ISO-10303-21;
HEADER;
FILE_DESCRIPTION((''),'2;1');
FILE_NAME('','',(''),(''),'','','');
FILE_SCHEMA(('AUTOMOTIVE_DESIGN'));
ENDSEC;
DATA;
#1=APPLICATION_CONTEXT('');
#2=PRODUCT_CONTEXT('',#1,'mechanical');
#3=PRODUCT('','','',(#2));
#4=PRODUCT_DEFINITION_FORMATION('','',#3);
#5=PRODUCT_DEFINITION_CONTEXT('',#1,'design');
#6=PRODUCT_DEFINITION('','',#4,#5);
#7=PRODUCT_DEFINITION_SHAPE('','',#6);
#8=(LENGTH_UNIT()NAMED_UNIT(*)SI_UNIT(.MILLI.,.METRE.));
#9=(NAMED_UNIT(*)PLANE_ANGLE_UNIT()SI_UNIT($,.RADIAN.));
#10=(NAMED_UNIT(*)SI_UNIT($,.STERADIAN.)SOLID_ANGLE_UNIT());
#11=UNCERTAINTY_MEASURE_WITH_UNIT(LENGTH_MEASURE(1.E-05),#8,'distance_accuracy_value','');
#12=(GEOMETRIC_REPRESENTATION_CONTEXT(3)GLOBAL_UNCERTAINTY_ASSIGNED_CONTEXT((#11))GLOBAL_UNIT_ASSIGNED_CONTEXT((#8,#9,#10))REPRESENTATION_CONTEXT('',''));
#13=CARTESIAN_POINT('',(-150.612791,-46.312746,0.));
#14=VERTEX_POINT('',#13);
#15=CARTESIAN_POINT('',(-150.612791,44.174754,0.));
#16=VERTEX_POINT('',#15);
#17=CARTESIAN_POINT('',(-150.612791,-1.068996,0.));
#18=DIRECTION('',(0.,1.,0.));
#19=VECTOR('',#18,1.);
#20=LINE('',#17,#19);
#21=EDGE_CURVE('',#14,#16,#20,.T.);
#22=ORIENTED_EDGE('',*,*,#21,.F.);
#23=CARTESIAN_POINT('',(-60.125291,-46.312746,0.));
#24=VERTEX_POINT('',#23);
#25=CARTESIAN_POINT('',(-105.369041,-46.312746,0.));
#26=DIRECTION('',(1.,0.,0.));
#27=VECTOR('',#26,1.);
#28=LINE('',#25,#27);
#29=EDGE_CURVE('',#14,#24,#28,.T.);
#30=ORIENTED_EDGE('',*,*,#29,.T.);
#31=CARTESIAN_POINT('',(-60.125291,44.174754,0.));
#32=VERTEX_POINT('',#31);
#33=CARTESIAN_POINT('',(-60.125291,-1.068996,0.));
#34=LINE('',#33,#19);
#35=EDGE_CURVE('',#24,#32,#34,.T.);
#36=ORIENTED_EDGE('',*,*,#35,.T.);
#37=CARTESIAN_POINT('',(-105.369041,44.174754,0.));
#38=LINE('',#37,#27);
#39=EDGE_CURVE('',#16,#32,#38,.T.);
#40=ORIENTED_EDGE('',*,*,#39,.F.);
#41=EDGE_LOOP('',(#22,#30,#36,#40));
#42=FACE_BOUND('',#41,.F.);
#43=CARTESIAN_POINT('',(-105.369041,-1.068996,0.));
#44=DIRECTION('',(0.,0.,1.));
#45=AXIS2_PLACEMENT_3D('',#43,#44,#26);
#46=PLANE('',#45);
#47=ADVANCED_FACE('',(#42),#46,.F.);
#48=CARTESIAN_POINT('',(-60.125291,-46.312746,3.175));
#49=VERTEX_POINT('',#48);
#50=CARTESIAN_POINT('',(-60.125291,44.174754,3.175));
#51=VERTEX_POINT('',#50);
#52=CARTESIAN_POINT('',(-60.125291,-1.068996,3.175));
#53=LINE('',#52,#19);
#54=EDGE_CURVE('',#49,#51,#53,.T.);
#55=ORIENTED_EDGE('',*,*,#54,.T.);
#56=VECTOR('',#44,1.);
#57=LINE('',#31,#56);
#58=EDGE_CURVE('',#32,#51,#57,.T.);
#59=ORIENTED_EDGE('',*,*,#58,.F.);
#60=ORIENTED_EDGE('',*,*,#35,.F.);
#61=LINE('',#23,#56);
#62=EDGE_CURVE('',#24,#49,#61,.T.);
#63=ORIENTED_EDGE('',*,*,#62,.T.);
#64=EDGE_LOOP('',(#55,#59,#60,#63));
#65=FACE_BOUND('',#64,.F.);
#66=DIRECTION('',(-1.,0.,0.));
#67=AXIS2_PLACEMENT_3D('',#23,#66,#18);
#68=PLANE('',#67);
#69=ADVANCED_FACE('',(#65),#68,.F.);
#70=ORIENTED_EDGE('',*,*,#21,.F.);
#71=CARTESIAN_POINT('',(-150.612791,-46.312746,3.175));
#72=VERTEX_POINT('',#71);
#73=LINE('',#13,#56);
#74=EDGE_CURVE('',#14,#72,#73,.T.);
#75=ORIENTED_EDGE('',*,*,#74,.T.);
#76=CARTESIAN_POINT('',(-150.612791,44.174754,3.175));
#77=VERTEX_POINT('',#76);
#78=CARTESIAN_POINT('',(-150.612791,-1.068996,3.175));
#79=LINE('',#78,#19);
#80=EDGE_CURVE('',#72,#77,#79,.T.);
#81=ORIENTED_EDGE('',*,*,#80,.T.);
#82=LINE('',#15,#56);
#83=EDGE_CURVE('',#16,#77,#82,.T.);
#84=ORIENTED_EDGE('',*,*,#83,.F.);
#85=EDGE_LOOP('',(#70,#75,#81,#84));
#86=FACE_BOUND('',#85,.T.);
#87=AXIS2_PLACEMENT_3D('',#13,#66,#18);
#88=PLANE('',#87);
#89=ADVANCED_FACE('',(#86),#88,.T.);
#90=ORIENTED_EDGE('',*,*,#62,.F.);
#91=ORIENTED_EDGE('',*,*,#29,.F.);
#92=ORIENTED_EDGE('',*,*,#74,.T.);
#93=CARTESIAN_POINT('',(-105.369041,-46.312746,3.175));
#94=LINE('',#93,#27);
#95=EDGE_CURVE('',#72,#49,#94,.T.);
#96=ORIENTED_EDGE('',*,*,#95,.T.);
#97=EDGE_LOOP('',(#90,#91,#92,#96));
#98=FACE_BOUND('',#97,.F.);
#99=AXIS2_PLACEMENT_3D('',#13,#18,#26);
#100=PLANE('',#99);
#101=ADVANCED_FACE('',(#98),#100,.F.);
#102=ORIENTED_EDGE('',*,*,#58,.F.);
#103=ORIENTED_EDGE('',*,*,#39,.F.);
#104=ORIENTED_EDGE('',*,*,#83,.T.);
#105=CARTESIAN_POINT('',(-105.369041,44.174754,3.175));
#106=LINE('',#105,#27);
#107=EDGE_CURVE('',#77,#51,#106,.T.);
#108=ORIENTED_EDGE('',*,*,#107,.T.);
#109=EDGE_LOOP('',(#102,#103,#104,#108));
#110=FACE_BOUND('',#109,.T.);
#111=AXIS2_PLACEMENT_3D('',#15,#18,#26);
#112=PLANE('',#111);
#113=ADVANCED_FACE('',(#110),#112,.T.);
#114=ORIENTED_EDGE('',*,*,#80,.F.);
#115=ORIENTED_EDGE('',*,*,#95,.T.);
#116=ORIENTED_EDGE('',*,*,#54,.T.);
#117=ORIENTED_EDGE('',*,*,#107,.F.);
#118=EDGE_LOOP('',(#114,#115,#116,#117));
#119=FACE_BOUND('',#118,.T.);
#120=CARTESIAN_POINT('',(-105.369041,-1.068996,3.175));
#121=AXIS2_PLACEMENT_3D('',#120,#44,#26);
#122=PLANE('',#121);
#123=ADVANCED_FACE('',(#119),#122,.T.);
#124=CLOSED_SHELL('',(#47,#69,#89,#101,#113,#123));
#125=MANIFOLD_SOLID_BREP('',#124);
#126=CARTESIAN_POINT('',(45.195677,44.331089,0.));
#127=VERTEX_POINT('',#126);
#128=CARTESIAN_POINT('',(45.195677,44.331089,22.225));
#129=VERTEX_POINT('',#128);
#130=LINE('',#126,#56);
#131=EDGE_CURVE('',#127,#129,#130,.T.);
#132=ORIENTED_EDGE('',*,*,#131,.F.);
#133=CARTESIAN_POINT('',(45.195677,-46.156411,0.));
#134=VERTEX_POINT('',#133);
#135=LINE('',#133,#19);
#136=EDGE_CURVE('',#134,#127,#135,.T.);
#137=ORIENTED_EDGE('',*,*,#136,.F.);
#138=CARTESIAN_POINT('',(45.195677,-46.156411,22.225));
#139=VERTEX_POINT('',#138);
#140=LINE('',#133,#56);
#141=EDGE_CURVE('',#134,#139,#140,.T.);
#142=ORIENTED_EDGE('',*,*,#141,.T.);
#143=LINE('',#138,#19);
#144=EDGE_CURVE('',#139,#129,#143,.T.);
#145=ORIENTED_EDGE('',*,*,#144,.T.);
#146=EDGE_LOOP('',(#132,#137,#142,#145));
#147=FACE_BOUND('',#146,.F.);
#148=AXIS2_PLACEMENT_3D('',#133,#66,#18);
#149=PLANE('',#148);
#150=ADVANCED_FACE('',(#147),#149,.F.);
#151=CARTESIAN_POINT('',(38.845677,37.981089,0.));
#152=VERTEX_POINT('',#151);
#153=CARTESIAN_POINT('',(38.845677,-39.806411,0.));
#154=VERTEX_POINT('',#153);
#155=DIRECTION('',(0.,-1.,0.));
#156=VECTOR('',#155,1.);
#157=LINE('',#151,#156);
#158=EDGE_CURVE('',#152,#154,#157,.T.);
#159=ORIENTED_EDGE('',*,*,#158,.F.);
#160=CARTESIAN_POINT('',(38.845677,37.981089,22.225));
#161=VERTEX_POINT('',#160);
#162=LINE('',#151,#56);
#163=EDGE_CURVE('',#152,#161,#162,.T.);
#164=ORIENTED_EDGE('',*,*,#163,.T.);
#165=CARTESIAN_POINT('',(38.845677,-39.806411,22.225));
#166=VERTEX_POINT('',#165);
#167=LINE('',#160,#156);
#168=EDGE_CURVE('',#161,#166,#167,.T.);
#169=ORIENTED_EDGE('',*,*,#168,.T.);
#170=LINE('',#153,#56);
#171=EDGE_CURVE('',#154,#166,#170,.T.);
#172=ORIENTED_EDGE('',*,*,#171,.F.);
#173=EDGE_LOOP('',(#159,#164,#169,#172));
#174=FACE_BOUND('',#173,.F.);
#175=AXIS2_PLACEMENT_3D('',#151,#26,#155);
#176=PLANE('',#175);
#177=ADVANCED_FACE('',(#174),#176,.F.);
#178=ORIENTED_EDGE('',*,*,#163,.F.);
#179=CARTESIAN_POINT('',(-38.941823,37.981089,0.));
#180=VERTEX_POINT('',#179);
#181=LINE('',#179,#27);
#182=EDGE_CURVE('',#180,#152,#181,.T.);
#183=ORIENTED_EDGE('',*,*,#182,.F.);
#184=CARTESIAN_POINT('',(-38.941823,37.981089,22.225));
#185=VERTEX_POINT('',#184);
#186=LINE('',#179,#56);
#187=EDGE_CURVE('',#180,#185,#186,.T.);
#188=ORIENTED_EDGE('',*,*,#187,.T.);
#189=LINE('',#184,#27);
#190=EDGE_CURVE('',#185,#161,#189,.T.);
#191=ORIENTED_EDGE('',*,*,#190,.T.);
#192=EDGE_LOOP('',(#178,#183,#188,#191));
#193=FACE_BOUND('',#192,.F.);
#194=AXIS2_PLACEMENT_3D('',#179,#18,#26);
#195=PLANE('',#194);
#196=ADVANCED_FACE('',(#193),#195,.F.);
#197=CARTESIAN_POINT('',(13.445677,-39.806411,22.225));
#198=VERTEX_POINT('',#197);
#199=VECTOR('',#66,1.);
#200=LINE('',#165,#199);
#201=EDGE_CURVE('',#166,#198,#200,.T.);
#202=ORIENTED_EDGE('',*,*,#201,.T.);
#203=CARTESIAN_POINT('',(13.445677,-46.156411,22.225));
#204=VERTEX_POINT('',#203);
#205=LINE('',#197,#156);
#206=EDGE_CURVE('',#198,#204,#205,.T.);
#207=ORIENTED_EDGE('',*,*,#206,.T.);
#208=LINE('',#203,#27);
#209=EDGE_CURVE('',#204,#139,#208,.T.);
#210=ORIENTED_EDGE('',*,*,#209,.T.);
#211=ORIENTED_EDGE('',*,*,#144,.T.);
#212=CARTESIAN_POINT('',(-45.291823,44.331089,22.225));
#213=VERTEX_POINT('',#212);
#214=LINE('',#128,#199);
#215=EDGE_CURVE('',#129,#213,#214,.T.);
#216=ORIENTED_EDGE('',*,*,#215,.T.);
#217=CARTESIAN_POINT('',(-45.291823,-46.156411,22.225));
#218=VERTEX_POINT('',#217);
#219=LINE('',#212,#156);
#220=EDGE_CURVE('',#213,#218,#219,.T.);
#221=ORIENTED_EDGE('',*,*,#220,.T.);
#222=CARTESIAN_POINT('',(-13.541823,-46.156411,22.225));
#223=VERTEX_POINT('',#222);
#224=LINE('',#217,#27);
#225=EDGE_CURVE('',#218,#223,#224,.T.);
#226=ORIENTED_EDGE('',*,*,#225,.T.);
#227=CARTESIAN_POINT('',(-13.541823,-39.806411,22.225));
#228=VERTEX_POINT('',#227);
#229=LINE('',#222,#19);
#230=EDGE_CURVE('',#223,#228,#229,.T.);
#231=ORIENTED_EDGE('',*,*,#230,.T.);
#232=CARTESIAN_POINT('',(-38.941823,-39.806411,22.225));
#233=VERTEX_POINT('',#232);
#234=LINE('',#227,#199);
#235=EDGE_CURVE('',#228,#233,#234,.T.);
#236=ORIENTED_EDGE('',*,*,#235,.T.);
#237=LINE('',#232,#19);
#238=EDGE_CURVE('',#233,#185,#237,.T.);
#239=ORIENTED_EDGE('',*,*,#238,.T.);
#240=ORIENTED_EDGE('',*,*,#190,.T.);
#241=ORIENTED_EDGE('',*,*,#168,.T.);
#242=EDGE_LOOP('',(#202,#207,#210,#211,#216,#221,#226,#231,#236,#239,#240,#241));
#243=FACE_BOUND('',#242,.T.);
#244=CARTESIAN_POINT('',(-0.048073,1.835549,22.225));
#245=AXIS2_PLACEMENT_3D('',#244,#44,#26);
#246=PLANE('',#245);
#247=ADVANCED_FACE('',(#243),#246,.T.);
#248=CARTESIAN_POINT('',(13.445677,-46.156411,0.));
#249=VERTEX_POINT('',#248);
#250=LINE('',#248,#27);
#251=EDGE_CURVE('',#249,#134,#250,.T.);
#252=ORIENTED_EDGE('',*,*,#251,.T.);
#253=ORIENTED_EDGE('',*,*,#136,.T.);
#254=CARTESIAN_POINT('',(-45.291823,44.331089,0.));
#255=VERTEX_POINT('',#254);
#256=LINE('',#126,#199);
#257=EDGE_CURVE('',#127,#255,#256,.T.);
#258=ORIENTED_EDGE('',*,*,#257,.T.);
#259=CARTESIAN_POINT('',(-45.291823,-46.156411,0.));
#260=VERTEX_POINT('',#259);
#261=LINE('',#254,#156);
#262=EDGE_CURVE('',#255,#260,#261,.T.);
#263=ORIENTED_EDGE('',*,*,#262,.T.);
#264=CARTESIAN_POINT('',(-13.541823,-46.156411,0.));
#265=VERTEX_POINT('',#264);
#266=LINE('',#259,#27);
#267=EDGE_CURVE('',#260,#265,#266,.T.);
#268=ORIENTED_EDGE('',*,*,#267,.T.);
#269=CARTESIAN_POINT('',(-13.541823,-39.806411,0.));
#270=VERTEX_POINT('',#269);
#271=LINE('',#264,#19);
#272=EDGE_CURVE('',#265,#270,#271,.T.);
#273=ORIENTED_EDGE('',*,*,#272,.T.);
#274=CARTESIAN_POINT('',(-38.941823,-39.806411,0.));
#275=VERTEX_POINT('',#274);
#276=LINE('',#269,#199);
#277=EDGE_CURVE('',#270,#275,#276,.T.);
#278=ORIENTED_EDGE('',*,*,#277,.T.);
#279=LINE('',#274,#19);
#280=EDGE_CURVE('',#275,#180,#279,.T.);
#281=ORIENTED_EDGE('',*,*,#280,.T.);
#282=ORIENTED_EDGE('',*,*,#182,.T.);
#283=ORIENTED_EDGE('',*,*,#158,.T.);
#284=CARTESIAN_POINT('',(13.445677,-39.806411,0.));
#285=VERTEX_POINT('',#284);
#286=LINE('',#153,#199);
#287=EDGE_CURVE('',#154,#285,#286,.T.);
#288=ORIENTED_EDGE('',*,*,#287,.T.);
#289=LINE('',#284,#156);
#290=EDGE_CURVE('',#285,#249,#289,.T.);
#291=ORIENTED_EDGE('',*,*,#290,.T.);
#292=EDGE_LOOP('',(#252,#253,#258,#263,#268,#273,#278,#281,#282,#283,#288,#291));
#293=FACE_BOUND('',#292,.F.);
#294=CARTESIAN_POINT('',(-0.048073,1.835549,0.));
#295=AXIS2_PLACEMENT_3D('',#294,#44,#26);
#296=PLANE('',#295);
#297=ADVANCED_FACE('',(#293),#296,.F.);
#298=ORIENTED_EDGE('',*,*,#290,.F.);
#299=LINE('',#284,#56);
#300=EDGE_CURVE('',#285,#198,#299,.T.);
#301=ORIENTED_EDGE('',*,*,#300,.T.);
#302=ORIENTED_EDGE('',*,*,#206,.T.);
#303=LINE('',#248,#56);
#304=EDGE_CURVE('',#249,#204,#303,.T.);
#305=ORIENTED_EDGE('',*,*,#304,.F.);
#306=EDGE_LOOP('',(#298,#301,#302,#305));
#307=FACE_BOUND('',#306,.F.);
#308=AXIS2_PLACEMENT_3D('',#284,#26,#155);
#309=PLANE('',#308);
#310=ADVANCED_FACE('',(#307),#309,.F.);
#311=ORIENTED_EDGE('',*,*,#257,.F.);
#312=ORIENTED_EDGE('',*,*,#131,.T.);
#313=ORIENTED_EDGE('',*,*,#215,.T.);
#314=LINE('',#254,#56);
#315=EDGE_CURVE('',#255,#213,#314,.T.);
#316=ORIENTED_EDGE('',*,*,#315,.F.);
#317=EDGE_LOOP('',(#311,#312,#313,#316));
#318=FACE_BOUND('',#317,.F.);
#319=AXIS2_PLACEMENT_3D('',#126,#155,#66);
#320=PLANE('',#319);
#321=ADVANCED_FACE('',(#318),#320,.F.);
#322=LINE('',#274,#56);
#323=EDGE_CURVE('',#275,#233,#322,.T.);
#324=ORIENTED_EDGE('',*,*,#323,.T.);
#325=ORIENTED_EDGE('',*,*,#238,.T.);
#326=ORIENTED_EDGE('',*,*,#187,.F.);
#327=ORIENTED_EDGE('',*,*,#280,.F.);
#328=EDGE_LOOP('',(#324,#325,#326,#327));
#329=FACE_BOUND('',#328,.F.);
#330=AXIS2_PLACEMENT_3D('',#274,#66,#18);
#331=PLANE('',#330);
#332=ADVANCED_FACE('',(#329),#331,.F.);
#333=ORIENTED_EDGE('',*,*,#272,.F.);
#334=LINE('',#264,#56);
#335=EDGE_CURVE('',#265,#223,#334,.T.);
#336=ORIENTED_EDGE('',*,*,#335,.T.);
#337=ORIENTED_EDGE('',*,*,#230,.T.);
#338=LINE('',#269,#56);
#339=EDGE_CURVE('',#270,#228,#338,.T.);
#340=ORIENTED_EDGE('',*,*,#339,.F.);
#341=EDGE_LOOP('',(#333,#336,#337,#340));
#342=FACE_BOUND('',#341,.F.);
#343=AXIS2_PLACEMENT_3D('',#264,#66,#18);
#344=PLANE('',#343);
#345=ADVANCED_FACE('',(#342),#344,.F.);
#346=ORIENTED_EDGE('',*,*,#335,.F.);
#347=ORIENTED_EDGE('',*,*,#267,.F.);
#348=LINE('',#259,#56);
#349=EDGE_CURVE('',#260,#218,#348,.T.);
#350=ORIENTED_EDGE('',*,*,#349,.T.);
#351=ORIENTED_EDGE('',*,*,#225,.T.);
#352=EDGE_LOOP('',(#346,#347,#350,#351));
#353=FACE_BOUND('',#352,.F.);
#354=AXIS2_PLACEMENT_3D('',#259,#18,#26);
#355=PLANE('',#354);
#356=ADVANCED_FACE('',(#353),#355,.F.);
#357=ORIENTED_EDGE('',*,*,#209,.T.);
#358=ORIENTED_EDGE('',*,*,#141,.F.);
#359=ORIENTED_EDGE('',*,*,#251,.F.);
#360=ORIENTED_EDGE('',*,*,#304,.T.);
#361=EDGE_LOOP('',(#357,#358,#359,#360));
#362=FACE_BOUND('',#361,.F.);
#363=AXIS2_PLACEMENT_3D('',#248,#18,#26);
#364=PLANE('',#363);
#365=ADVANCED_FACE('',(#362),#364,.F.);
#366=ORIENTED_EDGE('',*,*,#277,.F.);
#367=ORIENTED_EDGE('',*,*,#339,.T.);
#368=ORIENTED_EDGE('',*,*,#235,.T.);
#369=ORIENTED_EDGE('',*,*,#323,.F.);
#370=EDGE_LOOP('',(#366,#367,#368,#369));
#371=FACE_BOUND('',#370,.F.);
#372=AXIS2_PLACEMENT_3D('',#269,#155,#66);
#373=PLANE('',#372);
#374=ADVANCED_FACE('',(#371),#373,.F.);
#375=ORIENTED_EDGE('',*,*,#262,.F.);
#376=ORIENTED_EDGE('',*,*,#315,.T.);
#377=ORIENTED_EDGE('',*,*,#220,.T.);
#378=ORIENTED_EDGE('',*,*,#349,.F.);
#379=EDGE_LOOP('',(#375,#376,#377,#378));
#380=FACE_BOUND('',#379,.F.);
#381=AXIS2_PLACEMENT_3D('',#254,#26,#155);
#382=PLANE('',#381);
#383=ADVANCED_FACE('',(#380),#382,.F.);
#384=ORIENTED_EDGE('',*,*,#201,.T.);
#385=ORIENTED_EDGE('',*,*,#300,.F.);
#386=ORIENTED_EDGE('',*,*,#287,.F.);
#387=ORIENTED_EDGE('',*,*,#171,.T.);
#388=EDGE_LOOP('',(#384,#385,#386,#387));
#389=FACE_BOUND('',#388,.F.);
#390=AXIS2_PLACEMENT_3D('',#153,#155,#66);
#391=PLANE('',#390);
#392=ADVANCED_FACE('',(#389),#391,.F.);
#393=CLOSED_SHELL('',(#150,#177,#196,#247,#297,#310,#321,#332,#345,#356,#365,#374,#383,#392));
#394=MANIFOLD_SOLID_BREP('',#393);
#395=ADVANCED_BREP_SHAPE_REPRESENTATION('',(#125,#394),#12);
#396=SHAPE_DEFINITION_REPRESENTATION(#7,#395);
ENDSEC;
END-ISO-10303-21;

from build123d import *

# Parameters (mm, degrees)
F0_W     = 90.4875
F0_H     = 90.4875
F1_DEPTH = 3.175
F2_DEPTH = 22.225


with BuildPart() as f1:
    # F0 (on Top) → F1 (new body)
    with BuildSketch(Plane.XY):
        with Locations((-105.369041, -1.068996)):
            Rectangle(F0_W, F0_H)
    extrude(amount=F1_DEPTH)


with BuildPart() as f2:
    # F0 (on Top) → F2 (new body)
    with BuildSketch(Plane.XY):
        Polygon((45.195677, 44.331089), (-45.291823, 44.331089), (-45.291823, -46.156411), (-13.541823, -46.156411), (-13.541823, -39.806411), (-38.941823, -39.806411), (-38.941823, 37.981089), (38.845677, 37.981089), (38.845677, -39.806411), (13.445677, -39.806411), (13.445677, -46.156411), (45.195677, -46.156411), align=None)
    extrude(amount=F2_DEPTH)


solid = Compound([f1.part, f2.part])
